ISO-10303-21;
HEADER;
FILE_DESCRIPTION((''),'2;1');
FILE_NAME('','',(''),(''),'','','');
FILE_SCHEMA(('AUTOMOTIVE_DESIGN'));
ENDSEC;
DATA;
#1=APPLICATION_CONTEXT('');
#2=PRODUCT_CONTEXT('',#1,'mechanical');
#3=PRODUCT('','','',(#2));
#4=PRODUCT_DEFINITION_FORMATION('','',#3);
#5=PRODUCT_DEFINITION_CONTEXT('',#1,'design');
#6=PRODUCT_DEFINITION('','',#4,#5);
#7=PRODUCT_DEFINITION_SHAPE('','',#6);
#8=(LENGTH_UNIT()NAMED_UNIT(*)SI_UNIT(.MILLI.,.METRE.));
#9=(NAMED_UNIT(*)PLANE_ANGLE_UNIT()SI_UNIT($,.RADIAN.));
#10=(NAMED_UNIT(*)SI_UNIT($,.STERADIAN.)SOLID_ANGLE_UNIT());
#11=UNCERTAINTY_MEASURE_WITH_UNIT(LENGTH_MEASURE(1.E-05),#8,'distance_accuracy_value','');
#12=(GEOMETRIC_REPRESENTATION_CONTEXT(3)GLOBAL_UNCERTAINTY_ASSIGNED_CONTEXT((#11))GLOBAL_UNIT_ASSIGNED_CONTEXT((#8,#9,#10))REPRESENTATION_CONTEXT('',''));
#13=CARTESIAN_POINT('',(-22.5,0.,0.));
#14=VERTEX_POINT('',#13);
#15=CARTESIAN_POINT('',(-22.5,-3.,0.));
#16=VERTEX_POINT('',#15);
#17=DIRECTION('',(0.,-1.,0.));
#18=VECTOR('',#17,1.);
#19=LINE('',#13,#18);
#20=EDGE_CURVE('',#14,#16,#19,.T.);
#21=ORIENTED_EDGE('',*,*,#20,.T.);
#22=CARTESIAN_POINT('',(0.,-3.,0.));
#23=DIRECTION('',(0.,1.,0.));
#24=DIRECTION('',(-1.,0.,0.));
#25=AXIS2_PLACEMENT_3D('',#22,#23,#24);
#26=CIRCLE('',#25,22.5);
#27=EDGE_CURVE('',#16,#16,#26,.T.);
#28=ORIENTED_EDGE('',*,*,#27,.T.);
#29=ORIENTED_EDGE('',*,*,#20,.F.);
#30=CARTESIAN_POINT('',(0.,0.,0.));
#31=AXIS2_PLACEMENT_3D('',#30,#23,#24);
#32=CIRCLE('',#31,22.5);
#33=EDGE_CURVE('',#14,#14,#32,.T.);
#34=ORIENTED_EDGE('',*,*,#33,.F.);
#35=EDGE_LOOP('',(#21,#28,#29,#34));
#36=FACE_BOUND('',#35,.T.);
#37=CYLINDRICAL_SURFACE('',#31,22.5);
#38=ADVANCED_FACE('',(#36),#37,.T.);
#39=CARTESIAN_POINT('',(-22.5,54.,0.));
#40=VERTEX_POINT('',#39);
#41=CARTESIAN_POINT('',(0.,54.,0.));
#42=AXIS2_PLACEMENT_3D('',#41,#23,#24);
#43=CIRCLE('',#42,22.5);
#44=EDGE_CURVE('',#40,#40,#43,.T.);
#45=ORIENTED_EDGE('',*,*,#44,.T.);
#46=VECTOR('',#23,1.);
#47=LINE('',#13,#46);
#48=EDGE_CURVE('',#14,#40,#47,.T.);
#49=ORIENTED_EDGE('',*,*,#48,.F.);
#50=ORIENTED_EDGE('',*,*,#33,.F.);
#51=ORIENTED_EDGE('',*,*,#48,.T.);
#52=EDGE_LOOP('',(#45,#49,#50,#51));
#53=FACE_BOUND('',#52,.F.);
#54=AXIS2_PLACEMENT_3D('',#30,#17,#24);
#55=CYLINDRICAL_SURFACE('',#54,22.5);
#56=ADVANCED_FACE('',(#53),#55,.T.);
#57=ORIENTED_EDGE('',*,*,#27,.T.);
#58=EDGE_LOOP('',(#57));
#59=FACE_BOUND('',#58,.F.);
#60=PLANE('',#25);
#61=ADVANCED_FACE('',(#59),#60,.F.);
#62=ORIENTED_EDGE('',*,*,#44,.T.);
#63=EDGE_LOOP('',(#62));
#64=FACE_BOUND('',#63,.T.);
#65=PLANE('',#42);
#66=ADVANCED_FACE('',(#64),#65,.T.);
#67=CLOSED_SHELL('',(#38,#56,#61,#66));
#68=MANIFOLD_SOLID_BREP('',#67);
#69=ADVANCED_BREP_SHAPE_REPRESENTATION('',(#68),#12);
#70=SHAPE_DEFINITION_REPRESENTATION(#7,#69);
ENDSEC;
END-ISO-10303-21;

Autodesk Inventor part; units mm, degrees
ref_plane "YZ Plane" through (0, 0, 0) normal (1, 0, 0) x (0, 1, 0)
ref_plane "XZ Plane" through (0, 0, 0) normal (0, 1, 0) x (-1, 0, 0)
ref_plane "XY Plane" through (0, 0, 0) normal (0, 0, 1) x (1, 0, 0)
sketch "Sketch1" plane through (0, 0, 0) normal (0, 1, 0) x (-1, 0, 0)
  circle A0 centre (0, 0) radius 22.5
  dimension "d0" = 45
extrude "Extrusion1" add sketch "Sketch1" along normal blind 54 and the other way blind 3
properties part number "wheel" material "Rubber, Silicone"
